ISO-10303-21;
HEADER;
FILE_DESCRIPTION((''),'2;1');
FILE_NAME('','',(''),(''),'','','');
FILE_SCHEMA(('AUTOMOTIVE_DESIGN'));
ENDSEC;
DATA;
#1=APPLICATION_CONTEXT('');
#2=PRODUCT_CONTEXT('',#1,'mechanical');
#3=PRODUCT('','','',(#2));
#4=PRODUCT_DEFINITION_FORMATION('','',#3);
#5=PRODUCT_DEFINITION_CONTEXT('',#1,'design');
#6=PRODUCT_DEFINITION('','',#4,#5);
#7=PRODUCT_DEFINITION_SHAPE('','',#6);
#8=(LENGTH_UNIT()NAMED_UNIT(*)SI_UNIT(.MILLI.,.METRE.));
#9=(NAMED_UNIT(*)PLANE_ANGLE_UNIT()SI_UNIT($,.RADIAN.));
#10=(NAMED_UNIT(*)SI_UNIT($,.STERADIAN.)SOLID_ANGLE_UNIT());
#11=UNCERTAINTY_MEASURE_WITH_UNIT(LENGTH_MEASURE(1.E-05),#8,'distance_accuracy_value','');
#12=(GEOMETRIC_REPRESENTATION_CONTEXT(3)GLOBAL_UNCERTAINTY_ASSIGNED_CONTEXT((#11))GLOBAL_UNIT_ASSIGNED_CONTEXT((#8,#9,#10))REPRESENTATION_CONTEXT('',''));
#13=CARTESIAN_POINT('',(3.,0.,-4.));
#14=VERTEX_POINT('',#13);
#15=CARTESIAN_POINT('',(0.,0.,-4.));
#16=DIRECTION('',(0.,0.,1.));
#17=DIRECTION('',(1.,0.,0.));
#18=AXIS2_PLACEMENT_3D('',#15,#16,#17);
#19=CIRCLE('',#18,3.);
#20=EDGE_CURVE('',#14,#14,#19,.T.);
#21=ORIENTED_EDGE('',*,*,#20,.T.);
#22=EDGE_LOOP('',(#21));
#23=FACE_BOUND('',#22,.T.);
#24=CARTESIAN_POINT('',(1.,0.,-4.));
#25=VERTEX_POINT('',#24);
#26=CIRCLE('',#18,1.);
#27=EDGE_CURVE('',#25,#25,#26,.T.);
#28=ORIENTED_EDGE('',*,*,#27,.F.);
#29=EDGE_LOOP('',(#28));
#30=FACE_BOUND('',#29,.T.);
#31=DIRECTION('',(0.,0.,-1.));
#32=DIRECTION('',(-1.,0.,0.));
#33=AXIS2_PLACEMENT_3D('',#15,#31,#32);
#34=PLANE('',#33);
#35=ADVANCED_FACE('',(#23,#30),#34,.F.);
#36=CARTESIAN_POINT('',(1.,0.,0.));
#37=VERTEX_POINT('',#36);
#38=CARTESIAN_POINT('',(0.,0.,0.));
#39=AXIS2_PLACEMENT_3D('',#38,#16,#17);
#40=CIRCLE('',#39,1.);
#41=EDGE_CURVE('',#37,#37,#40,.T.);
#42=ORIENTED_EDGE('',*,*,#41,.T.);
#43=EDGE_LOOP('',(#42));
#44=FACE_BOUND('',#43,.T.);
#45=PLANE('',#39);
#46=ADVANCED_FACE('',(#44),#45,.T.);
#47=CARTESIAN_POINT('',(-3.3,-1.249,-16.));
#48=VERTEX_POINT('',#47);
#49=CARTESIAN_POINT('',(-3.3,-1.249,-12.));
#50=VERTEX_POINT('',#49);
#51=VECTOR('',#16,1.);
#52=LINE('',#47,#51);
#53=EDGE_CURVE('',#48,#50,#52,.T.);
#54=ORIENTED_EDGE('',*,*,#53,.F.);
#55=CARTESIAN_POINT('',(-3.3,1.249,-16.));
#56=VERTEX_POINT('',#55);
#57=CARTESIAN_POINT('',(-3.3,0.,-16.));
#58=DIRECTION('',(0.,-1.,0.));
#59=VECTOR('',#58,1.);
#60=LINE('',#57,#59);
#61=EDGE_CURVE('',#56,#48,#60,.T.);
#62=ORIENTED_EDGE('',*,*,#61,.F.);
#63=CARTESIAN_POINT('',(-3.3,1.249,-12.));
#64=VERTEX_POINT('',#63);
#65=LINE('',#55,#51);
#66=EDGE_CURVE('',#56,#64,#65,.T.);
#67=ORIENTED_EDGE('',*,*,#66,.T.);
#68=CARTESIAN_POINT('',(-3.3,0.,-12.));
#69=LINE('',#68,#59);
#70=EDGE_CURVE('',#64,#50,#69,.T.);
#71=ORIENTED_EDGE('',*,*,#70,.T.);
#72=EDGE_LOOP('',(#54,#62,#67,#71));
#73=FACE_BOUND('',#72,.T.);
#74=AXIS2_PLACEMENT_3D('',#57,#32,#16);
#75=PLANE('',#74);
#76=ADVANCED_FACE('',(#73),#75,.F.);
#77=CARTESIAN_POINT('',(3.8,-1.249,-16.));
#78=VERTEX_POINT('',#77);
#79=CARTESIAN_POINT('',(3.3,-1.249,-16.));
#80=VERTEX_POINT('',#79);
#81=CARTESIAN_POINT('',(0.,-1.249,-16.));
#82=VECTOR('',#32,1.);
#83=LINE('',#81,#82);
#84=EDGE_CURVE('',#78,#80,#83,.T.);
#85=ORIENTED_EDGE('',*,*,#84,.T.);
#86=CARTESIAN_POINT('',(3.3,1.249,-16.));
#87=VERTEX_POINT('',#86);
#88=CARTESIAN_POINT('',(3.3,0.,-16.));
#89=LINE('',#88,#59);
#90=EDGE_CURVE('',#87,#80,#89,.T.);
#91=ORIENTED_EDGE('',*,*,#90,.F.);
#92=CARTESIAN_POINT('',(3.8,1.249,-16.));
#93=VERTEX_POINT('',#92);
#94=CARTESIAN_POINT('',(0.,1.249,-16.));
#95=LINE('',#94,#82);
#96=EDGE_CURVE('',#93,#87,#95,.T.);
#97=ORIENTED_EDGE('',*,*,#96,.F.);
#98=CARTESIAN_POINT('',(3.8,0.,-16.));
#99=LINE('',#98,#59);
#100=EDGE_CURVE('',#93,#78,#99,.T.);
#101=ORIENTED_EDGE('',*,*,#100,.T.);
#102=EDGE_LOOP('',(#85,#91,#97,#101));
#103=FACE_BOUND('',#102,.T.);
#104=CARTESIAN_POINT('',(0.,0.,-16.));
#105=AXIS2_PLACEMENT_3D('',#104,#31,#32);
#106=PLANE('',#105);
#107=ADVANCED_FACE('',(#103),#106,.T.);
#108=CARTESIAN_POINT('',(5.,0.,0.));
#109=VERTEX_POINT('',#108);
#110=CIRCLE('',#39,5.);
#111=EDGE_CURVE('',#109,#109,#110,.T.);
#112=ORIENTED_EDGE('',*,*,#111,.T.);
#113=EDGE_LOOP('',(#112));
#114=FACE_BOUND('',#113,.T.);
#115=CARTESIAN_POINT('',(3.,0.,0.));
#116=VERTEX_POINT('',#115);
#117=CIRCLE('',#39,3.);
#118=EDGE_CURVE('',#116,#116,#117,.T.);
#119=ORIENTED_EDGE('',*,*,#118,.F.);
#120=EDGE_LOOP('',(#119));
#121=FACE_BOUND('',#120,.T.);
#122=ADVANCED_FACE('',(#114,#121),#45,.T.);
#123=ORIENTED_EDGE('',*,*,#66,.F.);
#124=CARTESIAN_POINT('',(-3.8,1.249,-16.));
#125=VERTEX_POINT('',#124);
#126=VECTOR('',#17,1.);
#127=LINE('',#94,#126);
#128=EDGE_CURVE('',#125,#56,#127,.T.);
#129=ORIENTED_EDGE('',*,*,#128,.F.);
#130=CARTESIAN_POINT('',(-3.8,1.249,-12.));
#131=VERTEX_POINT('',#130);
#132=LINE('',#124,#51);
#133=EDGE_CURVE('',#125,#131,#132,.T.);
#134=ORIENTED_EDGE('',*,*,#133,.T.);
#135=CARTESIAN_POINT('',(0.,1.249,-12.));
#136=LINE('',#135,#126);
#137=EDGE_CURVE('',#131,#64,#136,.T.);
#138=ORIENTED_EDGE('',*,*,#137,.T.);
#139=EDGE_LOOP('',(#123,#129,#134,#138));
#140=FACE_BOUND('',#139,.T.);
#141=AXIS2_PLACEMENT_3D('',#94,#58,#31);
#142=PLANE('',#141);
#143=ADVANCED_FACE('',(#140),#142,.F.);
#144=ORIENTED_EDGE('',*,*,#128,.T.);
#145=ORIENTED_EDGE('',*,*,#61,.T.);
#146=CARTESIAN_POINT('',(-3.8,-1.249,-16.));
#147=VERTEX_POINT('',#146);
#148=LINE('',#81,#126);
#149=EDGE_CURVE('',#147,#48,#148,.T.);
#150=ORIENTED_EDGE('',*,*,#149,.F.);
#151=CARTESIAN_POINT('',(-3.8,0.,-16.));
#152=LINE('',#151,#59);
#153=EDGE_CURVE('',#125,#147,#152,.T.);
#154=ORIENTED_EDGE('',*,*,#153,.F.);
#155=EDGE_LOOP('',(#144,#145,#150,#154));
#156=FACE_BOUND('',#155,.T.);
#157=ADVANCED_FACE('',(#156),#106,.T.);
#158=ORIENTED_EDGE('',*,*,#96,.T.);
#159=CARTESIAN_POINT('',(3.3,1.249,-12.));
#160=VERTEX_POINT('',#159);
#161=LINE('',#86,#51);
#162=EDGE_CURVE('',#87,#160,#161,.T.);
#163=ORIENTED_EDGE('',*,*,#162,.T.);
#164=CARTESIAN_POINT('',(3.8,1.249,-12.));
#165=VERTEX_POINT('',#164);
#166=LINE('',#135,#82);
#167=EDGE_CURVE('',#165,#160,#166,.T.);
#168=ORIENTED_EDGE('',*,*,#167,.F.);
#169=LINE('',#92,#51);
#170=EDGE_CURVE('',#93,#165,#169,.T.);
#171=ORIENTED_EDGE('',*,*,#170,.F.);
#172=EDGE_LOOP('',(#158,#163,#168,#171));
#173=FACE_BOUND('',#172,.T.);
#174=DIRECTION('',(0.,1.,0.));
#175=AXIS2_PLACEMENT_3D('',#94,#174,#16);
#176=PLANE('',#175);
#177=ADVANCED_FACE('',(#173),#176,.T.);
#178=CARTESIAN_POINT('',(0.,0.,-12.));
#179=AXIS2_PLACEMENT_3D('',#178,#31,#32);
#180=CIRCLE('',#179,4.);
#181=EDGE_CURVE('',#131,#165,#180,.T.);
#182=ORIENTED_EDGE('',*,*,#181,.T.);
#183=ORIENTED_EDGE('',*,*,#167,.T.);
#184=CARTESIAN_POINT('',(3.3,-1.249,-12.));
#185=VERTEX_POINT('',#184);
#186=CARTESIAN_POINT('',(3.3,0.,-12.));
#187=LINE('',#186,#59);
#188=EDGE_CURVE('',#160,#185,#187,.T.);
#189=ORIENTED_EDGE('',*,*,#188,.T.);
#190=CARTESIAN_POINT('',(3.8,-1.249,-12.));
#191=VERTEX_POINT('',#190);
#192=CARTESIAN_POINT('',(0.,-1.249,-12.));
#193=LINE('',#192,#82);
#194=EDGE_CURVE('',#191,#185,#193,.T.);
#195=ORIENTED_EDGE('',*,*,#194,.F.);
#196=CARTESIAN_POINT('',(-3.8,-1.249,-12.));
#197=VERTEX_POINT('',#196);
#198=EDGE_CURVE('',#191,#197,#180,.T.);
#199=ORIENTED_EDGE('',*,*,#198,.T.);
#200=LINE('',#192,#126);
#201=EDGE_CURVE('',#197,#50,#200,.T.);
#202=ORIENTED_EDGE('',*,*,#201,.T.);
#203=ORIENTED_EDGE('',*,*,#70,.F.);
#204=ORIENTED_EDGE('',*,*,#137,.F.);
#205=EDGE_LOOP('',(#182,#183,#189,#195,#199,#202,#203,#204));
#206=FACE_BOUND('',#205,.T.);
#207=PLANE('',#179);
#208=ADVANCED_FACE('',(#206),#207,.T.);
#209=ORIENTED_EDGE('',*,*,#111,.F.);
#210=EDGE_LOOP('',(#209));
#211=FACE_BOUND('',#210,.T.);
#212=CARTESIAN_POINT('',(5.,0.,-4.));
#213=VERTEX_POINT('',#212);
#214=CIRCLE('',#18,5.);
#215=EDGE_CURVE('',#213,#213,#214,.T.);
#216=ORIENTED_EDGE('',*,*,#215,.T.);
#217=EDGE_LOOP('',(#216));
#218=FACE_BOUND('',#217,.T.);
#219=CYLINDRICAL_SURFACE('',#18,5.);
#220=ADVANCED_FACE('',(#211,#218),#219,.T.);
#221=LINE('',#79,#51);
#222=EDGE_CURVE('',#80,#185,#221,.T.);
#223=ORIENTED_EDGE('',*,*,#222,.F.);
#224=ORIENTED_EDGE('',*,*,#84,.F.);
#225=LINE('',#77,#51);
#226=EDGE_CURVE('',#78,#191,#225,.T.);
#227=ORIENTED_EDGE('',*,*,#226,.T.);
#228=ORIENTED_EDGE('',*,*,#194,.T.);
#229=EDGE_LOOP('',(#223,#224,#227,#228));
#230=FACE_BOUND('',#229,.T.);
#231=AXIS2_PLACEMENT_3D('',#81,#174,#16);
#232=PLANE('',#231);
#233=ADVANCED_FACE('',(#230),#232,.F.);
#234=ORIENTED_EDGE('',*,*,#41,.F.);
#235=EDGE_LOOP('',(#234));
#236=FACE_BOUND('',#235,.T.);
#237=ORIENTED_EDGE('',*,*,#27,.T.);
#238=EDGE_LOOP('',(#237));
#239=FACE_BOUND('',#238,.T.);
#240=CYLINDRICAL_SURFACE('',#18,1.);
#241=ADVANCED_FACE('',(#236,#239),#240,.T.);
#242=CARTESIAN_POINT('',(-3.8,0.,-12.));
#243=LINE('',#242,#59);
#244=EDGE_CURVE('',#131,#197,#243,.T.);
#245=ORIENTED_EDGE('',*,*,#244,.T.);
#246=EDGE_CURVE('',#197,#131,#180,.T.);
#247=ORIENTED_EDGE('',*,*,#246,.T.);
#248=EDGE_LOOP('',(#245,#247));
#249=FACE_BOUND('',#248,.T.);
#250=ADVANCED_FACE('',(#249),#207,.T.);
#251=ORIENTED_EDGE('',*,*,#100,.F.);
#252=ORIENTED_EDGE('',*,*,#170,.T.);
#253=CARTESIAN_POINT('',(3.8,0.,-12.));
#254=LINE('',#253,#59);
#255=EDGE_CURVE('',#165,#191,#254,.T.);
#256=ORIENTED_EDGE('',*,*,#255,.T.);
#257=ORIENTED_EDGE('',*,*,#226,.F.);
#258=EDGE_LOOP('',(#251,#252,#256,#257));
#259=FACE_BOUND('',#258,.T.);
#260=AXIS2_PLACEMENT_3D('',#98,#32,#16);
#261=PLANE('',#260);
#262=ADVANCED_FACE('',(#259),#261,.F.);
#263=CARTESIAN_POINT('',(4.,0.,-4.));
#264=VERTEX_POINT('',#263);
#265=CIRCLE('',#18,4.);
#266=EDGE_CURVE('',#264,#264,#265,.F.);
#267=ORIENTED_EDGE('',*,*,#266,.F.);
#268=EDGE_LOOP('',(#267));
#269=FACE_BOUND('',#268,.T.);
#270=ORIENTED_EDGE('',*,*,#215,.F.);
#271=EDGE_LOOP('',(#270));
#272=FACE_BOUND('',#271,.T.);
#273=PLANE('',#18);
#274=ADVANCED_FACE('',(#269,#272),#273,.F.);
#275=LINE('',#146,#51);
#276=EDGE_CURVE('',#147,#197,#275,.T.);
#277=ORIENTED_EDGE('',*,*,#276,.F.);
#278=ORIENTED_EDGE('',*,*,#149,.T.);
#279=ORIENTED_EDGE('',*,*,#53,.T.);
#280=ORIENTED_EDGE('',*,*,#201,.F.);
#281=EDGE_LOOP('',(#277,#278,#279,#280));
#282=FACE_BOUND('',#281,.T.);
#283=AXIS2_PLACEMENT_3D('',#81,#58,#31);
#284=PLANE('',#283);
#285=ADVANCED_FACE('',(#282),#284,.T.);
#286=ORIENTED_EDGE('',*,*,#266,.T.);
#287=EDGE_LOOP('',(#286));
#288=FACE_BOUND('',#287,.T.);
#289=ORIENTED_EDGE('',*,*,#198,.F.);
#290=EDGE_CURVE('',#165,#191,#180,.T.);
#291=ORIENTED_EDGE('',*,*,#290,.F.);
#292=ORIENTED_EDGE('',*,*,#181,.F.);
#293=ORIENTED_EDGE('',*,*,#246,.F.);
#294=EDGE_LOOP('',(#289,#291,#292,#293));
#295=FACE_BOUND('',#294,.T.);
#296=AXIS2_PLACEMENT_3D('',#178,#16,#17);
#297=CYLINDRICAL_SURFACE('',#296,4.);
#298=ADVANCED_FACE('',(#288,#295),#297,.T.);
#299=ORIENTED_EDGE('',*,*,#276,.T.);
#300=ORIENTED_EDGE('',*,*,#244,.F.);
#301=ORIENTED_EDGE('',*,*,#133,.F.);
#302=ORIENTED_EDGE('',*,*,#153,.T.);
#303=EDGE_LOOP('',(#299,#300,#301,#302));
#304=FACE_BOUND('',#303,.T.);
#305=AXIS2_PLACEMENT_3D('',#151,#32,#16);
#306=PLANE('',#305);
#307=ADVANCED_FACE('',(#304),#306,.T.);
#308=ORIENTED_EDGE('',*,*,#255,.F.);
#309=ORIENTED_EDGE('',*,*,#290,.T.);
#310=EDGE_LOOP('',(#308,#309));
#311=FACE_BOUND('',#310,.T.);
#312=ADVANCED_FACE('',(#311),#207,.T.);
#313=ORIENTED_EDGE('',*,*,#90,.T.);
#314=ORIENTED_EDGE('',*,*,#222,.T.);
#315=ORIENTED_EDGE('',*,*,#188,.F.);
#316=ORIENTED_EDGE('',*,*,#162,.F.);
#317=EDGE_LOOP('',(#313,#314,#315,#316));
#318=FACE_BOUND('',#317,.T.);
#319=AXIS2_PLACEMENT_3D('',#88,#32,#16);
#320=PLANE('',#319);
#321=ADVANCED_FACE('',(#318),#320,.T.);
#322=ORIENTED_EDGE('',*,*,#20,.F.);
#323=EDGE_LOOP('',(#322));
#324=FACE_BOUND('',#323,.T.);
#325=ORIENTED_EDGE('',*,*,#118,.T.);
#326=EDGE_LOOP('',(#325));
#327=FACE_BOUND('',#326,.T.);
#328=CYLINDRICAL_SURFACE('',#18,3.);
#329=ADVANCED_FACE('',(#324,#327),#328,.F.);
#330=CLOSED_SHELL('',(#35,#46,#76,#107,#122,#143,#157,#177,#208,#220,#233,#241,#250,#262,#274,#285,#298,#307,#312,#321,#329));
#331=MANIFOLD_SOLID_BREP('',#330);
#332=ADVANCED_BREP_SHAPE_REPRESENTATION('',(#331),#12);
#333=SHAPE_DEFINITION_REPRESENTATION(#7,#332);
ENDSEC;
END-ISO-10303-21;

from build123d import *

# Parameters (mm, degrees)
SKETCH1_R             = 5
SKETCH1_R_2           = 3
BOSS_EXTRUDE1_DEPTH   = 4
SKETCH1_R_3           = 1
BOSS_EXTRUDE1_2_DEPTH = 4
SKETCH2_R             = 4
BOSS_EXTRUDE2_DEPTH   = 8
SKETCH3_W             = 0.5
SKETCH3_H             = 2.4979992
BOSS_EXTRUDE3_DEPTH   = 4


with BuildPart() as part:
    # Sketch1 → Boss-Extrude1 (new body)
    with BuildSketch(Plane.XY):
        Circle(SKETCH1_R)
        Circle(SKETCH1_R_2, mode=Mode.SUBTRACT)
    extrude(amount=-BOSS_EXTRUDE1_DEPTH)



with BuildPart() as body_2:
    # Sketch1 → Boss-Extrude1 2 (new body)
    with BuildSketch(Plane.XY):
        Circle(SKETCH1_R_3)
    extrude(amount=-BOSS_EXTRUDE1_2_DEPTH)


with BuildPart() as part_1:
    add(part.part)

    add(body_2.part)  # Boss-Extrude2 merges body 2
    # Sketch2 → Boss-Extrude2 (add)
    with BuildSketch(Plane(origin=(0, 0, -4), x_dir=(-1, 0, 0), z_dir=(0, 0, -1))):
        Circle(SKETCH2_R)
    extrude(amount=BOSS_EXTRUDE2_DEPTH)

    # Sketch3 → Boss-Extrude3 (add)
    with BuildSketch(Plane(origin=(0, 0, -12), x_dir=(-1, 0, 0), z_dir=(0, 0, -1))):
        with Locations((-3.55, 0)):
            Rectangle(SKETCH3_W, SKETCH3_H)
        with Locations((3.55, 0)):
            Rectangle(SKETCH3_W, SKETCH3_H)
    extrude(amount=BOSS_EXTRUDE3_DEPTH)


solid = part_1.part
